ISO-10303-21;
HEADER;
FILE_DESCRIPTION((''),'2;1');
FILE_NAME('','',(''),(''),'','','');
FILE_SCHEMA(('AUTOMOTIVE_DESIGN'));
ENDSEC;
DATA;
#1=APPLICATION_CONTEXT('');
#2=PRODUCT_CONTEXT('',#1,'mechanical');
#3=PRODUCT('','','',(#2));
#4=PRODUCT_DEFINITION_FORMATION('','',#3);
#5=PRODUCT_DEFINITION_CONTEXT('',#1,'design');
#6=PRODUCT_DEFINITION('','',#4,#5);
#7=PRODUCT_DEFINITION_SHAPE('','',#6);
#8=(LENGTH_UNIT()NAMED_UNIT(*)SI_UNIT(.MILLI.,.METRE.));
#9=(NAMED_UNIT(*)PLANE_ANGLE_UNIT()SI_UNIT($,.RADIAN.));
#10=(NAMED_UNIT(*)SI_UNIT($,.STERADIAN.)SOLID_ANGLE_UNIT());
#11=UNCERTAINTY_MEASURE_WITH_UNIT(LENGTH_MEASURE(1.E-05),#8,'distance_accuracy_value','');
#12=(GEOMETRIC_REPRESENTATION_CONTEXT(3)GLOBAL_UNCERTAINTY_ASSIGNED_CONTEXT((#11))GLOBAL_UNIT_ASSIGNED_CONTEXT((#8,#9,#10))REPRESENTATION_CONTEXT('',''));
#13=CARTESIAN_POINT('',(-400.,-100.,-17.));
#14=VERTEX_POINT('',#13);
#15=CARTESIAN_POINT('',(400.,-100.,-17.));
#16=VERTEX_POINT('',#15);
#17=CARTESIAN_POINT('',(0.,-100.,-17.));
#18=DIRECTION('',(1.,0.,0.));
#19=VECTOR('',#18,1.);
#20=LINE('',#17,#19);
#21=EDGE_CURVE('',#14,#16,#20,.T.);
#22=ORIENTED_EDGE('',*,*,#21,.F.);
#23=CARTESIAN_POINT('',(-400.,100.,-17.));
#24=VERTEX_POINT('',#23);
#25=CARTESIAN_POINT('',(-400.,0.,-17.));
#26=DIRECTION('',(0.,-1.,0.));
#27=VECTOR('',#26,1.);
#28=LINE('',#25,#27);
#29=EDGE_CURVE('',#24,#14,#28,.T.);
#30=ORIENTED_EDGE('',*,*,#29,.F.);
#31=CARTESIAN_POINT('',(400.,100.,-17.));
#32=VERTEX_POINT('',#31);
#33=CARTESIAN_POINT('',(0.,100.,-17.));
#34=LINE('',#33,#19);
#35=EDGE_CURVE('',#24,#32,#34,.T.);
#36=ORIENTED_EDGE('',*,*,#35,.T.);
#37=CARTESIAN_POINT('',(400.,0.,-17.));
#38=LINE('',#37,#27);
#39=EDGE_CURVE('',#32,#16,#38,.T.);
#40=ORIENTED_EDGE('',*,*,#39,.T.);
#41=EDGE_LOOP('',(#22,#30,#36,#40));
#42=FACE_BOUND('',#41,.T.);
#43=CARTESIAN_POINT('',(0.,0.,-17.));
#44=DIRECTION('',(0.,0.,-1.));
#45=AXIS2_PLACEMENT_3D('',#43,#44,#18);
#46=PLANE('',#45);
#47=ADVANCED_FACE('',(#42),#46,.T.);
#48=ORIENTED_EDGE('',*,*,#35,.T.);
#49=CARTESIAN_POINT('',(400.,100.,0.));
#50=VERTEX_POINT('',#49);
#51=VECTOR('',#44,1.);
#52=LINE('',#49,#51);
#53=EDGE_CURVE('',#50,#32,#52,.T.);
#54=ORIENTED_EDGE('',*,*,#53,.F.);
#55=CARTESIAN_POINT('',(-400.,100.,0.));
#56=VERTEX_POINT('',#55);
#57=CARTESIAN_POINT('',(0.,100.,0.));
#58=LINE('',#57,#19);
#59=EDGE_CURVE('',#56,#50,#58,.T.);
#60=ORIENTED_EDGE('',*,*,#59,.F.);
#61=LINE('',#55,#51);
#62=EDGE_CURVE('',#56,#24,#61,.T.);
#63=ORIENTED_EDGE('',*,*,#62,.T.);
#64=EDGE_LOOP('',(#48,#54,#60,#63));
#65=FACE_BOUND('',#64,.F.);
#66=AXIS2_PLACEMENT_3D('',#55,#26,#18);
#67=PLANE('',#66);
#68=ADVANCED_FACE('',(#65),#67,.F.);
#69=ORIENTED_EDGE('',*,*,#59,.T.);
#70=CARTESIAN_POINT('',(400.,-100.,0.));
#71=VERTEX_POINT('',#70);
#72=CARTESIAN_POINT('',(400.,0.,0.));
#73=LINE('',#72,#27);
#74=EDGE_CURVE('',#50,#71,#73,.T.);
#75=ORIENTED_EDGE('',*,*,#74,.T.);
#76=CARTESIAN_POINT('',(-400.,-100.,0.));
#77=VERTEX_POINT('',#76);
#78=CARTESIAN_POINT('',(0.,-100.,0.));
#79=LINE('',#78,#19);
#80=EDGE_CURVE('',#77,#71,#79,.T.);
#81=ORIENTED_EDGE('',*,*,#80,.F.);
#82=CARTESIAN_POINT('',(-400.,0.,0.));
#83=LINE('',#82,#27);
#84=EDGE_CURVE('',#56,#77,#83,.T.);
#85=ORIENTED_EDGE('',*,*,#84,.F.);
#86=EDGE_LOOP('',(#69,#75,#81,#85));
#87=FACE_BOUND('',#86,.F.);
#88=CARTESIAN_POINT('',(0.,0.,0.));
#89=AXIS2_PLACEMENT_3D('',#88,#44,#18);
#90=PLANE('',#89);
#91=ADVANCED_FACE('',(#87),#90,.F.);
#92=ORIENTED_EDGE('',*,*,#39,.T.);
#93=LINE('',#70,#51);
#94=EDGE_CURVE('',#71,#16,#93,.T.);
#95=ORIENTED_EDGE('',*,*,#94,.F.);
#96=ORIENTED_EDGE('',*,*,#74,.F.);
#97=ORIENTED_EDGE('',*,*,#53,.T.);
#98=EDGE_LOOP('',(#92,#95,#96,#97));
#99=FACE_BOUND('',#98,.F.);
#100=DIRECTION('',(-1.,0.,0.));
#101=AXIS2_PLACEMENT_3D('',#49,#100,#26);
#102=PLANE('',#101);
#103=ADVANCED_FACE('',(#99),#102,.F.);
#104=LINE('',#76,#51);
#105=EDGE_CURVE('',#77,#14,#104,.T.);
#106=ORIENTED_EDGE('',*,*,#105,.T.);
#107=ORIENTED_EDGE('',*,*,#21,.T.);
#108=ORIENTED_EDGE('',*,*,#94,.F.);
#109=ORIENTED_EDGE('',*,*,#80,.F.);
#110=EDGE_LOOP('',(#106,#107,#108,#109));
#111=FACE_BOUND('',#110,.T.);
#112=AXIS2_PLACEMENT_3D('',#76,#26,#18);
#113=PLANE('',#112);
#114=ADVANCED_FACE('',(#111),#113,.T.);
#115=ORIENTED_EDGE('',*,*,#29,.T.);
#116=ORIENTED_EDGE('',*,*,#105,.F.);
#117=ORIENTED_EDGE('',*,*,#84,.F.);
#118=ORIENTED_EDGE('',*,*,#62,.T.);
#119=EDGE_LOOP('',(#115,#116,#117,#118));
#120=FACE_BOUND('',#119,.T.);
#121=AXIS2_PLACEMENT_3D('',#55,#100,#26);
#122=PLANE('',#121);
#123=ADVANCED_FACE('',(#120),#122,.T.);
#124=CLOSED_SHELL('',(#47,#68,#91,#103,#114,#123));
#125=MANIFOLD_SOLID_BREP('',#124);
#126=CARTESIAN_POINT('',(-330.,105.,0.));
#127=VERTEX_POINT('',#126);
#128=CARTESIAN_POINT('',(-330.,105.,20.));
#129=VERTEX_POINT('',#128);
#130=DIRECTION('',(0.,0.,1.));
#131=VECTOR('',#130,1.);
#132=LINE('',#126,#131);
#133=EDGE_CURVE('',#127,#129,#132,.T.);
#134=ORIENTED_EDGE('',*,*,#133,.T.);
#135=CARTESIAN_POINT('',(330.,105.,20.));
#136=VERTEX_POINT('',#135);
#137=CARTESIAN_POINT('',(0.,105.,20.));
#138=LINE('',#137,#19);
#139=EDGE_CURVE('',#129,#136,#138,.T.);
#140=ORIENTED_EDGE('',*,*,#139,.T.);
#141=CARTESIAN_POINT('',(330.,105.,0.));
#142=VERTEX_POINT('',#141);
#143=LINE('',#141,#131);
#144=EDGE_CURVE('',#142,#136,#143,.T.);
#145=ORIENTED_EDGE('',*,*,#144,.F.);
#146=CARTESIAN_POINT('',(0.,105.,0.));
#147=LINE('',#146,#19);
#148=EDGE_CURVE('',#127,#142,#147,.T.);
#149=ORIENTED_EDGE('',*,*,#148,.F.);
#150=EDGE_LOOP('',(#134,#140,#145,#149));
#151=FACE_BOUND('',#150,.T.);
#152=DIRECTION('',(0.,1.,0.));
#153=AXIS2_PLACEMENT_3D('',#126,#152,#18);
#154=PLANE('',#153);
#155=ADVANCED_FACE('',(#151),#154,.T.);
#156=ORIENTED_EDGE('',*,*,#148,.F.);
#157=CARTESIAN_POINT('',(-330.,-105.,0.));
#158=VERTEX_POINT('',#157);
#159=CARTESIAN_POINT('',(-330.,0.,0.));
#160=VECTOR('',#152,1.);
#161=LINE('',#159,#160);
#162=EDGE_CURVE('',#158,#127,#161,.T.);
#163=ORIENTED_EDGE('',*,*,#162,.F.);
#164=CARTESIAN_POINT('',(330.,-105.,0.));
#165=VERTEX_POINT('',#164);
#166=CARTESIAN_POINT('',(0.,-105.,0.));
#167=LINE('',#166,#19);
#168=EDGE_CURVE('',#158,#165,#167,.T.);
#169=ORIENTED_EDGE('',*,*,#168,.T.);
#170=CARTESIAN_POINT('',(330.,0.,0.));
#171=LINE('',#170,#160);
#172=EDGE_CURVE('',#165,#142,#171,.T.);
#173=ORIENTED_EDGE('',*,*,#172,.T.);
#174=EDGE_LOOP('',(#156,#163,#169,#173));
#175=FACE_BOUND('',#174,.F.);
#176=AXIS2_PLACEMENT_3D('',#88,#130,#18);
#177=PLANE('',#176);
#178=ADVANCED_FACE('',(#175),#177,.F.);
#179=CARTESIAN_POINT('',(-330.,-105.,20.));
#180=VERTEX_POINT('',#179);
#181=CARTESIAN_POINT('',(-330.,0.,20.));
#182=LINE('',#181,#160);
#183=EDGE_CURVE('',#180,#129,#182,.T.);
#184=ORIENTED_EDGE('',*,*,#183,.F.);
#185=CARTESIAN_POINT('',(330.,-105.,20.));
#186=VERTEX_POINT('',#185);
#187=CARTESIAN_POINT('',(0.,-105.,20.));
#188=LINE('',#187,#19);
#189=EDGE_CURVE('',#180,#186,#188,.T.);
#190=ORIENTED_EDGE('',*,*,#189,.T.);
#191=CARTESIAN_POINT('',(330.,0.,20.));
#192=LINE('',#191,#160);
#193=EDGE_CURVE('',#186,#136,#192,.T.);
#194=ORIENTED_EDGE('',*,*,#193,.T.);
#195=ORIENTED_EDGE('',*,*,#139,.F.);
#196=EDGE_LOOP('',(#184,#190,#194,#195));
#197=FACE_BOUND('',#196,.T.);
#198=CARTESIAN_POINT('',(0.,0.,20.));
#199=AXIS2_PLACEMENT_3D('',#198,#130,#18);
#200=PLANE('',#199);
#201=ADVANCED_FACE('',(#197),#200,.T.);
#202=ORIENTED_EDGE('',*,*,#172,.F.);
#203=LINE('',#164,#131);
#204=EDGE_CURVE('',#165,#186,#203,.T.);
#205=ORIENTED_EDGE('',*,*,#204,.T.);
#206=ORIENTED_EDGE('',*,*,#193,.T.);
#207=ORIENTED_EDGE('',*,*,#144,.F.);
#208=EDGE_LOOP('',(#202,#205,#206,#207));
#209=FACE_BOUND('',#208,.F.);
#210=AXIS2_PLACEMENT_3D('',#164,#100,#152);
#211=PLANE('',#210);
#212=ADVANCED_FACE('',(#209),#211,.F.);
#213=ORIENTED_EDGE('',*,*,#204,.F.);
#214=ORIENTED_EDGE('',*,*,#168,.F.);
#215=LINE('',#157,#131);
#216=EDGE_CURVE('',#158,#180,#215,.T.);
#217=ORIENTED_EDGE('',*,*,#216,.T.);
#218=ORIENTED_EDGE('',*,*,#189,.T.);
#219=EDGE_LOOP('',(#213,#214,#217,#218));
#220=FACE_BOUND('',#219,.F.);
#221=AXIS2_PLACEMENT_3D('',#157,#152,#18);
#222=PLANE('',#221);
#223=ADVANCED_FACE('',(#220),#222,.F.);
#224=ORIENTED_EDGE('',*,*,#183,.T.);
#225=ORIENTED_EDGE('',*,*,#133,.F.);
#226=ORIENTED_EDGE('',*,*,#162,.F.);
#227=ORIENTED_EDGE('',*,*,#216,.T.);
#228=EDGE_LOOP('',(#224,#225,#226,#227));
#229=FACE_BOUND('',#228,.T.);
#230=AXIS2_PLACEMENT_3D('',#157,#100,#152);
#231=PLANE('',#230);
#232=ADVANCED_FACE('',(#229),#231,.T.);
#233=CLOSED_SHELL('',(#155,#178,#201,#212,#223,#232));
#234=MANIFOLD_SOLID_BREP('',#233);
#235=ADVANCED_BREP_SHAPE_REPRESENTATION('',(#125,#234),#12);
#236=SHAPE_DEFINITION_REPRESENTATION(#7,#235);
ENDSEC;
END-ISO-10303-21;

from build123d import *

# Parameters (mm, degrees)
F0_W     = 660
F0_H     = 210
F1_DEPTH = 20
F2_W     = 800
F2_H     = 200
F3_DEPTH = 17


with BuildPart() as f1:
    # F0 (on Top) → F1 (new body)
    with BuildSketch(Plane.XY):
        Rectangle(F0_W, F0_H)
    extrude(amount=F1_DEPTH)


with BuildPart() as f3:
    # F2 (on face) → F3 (new body)
    with BuildSketch(Plane(origin=(0, 0, 0), x_dir=(1, 0, 0), z_dir=(0, 0, -1))):
        Rectangle(F2_W, F2_H)
    extrude(amount=F3_DEPTH)


solid = Compound([f1.part, f3.part])
